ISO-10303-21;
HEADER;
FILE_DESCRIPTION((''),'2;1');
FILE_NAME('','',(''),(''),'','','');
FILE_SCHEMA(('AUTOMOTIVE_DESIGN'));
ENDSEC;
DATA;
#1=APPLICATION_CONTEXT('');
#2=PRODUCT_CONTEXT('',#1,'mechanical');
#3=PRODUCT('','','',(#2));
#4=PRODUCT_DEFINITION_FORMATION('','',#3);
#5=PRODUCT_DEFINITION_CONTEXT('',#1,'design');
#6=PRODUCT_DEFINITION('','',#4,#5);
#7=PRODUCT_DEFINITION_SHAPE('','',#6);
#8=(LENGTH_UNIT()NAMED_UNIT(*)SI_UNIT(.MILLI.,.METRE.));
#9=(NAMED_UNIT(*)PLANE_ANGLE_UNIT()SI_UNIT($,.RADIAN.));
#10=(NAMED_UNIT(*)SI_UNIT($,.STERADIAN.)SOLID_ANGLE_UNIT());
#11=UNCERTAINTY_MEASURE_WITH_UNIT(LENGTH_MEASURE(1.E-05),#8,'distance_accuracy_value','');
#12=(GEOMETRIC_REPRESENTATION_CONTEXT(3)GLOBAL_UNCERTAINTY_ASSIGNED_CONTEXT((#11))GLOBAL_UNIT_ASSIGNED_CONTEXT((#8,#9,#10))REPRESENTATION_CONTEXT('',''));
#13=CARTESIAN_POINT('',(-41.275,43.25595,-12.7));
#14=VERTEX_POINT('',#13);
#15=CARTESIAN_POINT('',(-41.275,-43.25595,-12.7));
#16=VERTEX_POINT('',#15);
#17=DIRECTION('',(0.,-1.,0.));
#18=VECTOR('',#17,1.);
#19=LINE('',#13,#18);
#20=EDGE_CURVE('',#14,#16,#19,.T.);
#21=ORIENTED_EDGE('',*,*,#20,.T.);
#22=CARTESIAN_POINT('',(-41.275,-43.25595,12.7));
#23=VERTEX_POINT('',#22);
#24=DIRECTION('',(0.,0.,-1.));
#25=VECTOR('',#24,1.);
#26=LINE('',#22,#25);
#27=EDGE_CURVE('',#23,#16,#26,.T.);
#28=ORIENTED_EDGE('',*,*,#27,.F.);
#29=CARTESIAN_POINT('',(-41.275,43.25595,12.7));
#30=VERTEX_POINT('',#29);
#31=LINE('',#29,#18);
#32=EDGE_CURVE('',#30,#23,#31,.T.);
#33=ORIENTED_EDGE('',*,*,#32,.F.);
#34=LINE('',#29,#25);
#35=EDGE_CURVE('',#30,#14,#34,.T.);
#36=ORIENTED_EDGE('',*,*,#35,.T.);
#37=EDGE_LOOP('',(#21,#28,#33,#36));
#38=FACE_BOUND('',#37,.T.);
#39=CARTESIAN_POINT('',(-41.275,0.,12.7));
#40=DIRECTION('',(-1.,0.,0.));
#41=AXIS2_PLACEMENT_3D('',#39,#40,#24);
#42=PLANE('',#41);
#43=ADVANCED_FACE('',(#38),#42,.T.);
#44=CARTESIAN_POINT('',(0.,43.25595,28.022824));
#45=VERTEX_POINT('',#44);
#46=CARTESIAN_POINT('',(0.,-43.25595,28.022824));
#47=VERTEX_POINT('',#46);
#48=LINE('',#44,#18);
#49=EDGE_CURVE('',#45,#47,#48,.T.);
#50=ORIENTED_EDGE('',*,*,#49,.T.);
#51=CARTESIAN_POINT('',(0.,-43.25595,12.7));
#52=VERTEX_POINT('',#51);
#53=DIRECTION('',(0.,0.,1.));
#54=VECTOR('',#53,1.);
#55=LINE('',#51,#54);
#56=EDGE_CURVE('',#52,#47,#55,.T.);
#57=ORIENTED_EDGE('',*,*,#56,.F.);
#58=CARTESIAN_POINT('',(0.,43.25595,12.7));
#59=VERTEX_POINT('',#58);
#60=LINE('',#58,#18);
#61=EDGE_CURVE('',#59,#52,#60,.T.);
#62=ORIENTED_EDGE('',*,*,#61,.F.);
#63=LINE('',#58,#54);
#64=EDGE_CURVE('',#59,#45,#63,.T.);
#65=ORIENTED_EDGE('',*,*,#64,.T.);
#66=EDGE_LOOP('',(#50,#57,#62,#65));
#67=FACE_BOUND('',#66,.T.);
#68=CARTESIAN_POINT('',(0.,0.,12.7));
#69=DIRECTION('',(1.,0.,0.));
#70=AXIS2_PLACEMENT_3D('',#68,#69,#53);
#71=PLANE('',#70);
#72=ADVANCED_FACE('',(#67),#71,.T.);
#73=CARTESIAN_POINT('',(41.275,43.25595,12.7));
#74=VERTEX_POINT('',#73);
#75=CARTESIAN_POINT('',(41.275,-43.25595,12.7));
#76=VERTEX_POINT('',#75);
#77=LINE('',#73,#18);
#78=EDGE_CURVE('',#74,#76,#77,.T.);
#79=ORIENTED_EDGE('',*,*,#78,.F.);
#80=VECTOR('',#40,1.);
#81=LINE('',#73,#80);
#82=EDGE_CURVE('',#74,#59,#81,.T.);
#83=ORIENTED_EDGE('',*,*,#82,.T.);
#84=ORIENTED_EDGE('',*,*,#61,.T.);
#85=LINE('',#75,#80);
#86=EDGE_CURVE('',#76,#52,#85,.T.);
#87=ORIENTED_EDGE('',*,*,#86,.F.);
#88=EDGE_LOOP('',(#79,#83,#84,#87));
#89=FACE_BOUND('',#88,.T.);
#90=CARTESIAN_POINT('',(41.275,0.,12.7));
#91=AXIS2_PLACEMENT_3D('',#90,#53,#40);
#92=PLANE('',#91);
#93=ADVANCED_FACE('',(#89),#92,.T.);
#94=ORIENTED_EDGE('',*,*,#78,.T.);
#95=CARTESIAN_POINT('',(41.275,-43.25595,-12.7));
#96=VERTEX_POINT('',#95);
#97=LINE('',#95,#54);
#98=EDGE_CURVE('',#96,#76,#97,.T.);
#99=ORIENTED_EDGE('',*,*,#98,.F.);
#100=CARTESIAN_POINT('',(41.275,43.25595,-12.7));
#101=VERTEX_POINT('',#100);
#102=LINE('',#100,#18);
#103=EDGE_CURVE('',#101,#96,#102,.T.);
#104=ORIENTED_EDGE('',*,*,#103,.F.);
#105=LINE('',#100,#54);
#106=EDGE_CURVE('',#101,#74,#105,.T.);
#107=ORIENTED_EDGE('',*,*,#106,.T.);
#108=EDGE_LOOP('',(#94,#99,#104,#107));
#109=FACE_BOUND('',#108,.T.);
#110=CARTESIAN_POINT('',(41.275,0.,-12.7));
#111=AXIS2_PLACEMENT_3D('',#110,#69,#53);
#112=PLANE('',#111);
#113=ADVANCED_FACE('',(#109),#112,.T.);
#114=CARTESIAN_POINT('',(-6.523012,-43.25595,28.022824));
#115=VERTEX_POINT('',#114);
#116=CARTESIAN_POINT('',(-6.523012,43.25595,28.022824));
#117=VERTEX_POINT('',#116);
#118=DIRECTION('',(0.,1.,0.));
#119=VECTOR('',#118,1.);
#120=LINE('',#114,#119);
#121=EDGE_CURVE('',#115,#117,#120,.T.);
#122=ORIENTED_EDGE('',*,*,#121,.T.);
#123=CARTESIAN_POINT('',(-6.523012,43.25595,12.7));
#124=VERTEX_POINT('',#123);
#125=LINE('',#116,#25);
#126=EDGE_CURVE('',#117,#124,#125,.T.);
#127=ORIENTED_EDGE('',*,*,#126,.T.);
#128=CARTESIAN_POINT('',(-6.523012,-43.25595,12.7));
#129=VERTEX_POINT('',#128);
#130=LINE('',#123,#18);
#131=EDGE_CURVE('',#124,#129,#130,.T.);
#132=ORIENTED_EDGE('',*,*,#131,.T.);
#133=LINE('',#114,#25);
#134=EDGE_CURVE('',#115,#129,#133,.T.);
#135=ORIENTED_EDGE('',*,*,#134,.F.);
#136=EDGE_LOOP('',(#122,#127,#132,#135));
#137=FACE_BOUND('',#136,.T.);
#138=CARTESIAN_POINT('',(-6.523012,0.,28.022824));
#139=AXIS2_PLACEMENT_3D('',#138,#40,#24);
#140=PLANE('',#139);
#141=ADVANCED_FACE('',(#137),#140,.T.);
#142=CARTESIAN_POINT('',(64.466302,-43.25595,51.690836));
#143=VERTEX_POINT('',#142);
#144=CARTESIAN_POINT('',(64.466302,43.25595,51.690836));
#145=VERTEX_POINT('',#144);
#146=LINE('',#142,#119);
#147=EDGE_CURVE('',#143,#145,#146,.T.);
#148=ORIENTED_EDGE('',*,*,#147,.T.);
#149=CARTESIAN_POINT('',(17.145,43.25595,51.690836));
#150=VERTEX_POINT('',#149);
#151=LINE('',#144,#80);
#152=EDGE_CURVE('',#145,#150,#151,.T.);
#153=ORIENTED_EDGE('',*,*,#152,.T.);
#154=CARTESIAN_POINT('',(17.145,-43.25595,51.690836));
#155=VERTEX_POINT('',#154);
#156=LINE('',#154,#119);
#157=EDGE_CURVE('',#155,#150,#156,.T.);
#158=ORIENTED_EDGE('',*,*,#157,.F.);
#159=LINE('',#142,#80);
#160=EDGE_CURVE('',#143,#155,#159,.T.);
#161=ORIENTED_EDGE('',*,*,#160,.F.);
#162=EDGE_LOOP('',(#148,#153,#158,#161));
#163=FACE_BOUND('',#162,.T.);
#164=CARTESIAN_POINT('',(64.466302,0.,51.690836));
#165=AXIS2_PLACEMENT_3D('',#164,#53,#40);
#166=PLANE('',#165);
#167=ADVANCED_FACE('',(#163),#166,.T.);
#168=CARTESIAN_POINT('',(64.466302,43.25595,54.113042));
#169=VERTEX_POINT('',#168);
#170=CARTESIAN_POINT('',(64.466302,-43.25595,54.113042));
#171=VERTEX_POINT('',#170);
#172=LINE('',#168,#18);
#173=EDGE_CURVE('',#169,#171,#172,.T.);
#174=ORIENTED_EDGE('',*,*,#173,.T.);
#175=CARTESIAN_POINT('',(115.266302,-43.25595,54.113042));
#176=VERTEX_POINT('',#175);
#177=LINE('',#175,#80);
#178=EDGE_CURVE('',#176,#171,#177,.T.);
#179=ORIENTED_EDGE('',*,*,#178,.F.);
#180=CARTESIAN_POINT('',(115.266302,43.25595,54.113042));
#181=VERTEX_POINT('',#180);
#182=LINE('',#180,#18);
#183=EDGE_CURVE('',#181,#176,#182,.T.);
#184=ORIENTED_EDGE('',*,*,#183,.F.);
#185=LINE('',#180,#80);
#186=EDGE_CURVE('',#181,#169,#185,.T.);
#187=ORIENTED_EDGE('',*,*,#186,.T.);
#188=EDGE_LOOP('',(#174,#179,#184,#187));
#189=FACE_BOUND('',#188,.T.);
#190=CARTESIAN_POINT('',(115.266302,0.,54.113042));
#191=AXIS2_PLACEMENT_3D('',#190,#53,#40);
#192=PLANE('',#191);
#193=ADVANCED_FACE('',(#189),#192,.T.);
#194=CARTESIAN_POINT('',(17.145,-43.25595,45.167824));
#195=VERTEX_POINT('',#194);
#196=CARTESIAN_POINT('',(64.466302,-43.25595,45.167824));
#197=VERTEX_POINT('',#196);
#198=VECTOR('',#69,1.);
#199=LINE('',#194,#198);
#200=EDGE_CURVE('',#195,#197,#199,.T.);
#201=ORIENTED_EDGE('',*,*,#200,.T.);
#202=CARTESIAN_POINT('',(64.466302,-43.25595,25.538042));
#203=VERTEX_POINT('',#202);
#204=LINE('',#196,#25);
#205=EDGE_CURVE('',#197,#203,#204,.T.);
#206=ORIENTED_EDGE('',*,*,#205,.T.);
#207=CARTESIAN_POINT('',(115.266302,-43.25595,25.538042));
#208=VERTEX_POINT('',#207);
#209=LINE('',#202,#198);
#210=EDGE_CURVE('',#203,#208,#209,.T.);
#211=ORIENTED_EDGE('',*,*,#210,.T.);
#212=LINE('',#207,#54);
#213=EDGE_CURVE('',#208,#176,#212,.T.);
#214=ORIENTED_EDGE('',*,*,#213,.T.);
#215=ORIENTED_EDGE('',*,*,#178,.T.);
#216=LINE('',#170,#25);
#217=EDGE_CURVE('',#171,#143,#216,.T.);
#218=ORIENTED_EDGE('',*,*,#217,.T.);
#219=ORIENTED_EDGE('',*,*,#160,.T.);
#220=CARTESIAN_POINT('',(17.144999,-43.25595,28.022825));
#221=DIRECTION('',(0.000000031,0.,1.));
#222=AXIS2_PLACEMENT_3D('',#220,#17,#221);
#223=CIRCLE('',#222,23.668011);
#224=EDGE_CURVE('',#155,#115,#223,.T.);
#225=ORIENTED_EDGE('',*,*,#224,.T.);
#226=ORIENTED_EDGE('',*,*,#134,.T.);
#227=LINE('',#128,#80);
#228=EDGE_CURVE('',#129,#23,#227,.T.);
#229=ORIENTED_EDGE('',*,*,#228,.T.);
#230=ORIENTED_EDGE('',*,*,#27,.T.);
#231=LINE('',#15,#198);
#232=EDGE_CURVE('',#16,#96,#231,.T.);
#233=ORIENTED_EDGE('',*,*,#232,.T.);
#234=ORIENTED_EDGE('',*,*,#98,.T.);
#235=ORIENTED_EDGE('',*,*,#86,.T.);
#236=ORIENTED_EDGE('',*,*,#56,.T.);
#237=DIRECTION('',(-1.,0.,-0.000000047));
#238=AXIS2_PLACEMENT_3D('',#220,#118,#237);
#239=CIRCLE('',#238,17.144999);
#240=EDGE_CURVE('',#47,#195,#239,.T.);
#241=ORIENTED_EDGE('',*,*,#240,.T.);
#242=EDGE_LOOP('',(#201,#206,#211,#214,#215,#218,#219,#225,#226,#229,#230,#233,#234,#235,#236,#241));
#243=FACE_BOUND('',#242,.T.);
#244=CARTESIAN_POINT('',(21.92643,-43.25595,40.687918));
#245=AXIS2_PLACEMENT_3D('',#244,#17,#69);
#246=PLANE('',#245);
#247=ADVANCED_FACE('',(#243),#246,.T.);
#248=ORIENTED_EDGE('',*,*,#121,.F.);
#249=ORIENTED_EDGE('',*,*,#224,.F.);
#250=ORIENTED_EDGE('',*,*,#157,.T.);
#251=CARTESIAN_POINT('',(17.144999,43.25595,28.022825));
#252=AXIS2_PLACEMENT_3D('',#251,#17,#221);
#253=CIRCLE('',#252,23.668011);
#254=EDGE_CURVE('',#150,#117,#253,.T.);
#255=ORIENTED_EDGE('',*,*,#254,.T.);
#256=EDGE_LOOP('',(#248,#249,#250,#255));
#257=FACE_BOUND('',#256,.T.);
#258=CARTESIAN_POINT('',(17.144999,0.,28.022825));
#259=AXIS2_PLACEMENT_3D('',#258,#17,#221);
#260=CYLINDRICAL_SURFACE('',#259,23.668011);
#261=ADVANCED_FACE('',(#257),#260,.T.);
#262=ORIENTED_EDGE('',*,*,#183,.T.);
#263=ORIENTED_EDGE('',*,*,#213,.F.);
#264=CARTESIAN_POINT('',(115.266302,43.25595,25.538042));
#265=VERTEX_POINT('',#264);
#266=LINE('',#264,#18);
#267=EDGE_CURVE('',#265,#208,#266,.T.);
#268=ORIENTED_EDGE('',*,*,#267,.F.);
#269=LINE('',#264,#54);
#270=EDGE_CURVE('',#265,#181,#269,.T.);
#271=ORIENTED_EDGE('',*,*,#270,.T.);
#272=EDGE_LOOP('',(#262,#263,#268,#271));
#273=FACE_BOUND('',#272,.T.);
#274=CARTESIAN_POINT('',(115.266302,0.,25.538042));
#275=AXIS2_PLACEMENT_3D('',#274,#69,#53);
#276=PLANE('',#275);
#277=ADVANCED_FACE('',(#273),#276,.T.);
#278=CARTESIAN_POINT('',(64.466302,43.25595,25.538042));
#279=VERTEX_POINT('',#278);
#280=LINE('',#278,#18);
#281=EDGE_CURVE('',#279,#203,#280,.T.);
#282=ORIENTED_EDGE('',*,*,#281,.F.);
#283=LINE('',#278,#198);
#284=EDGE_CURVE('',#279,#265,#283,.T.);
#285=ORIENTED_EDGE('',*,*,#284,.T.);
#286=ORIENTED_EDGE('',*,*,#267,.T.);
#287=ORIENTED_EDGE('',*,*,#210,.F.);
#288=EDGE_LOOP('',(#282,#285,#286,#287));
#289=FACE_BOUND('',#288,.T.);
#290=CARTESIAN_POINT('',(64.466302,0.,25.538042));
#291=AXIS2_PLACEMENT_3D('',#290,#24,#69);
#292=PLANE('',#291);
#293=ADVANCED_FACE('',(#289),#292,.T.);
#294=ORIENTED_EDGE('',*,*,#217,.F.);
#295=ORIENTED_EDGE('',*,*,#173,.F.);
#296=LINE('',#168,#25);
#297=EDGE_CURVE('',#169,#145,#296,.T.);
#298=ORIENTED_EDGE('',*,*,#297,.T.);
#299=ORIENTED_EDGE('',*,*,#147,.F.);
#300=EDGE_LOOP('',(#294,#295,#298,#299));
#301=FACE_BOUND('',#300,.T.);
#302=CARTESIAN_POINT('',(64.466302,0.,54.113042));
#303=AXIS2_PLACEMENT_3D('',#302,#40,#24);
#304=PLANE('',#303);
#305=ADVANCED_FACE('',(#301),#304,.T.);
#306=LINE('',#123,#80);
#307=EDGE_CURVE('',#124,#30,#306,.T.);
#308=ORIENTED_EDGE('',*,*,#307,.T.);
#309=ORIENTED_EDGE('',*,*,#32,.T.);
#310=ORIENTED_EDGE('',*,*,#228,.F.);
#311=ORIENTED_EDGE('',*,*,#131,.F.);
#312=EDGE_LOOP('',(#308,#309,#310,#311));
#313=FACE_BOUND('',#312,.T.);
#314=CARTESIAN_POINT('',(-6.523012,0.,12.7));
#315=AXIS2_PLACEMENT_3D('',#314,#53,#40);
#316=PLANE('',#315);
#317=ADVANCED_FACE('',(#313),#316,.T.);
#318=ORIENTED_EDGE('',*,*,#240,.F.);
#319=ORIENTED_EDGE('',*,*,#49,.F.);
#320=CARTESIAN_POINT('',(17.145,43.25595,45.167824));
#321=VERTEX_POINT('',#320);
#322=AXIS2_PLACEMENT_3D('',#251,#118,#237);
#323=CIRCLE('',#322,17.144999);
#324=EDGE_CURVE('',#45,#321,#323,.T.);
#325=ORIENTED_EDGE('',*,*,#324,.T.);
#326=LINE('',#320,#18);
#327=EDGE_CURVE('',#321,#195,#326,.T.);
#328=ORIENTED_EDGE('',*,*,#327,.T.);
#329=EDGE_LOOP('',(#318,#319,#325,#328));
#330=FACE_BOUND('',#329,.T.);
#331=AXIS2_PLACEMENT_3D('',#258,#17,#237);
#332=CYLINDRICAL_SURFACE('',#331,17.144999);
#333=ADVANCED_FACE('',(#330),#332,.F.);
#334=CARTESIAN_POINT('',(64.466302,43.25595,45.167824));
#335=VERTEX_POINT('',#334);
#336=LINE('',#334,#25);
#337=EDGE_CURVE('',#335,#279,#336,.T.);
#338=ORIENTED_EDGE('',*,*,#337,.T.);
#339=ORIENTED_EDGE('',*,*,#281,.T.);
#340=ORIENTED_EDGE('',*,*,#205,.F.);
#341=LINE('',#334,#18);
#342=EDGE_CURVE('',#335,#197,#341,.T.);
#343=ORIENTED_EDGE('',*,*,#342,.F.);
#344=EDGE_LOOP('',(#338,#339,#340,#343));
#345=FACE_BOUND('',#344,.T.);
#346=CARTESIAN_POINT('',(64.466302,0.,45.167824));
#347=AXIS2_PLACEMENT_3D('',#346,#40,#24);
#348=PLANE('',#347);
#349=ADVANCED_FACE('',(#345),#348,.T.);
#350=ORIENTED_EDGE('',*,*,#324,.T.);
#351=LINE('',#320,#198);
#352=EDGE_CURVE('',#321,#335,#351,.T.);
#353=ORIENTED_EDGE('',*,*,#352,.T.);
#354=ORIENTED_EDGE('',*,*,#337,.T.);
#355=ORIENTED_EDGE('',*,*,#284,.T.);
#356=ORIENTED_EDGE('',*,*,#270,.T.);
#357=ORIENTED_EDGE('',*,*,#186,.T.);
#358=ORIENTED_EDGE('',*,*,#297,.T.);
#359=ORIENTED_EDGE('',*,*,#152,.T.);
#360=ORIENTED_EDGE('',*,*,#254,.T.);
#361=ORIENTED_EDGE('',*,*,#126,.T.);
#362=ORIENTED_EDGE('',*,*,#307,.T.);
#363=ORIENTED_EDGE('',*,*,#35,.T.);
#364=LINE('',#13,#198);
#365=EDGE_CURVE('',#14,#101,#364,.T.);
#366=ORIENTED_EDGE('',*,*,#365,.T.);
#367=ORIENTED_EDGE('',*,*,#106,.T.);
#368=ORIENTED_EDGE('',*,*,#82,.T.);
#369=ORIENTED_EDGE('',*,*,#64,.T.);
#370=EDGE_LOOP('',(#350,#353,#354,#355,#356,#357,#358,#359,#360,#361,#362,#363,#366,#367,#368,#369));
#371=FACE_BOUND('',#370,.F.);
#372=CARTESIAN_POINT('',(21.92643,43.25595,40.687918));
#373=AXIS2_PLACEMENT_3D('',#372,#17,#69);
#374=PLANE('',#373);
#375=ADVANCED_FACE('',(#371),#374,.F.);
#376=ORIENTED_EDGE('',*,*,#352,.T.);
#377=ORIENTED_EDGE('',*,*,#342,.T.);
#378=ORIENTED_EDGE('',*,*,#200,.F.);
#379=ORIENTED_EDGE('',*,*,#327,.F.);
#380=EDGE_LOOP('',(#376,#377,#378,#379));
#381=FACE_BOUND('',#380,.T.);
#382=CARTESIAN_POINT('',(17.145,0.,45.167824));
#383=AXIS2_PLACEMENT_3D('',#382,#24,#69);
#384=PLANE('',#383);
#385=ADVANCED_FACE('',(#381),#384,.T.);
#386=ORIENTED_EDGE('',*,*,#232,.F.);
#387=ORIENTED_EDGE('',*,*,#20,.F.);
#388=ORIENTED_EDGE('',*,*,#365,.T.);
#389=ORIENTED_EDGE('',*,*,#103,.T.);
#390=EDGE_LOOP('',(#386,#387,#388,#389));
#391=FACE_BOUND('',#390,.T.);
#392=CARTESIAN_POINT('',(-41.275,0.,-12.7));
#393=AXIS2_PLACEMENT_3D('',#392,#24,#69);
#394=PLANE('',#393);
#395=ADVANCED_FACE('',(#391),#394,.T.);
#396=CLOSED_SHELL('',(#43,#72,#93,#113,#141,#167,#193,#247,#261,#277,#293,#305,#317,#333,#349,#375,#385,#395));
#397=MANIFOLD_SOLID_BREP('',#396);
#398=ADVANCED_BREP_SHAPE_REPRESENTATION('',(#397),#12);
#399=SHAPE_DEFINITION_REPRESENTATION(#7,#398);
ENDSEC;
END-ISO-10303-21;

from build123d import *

# Parameters (mm, degrees)
F1_DEPTH = 43.25595


with BuildPart() as f1:
    # F0 (on Front) → F1 (new body, symmetric)
    with BuildSketch(Plane.XZ):
        with BuildLine():
            Line((-6.523012, 28.022824), (-6.523012, 12.7))
            Line((-6.523012, 12.7), (0, 12.7))
            Line((0, 12.7), (0, 28.022824))
            ThreePointArc((0, 28.022824), (5.021654, 40.14617), (17.145, 45.167824))
            Line((17.145, 45.167824), (64.466302, 45.167824))
            Line((64.466302, 45.167824), (64.466302, 51.690836))
            Line((64.466302, 51.690836), (17.145, 51.690836))
            ThreePointArc((17.145, 51.690836), (0.409188, 44.758636), (-6.523012, 28.022824))
        make_face()
        Polygon((-6.523012, 12.7), (-41.275, 12.7), (-41.275, -12.7), (41.275, -12.7), (41.275, 12.7), (0, 12.7), align=None)
        Polygon((64.466302, 54.113042), (64.466302, 51.690836), (64.466302, 45.167824), (64.466302, 25.538042), (115.266302, 25.538042), (115.266302, 54.113042), align=None)
    extrude(amount=F1_DEPTH, both=True)


solid = f1.part
